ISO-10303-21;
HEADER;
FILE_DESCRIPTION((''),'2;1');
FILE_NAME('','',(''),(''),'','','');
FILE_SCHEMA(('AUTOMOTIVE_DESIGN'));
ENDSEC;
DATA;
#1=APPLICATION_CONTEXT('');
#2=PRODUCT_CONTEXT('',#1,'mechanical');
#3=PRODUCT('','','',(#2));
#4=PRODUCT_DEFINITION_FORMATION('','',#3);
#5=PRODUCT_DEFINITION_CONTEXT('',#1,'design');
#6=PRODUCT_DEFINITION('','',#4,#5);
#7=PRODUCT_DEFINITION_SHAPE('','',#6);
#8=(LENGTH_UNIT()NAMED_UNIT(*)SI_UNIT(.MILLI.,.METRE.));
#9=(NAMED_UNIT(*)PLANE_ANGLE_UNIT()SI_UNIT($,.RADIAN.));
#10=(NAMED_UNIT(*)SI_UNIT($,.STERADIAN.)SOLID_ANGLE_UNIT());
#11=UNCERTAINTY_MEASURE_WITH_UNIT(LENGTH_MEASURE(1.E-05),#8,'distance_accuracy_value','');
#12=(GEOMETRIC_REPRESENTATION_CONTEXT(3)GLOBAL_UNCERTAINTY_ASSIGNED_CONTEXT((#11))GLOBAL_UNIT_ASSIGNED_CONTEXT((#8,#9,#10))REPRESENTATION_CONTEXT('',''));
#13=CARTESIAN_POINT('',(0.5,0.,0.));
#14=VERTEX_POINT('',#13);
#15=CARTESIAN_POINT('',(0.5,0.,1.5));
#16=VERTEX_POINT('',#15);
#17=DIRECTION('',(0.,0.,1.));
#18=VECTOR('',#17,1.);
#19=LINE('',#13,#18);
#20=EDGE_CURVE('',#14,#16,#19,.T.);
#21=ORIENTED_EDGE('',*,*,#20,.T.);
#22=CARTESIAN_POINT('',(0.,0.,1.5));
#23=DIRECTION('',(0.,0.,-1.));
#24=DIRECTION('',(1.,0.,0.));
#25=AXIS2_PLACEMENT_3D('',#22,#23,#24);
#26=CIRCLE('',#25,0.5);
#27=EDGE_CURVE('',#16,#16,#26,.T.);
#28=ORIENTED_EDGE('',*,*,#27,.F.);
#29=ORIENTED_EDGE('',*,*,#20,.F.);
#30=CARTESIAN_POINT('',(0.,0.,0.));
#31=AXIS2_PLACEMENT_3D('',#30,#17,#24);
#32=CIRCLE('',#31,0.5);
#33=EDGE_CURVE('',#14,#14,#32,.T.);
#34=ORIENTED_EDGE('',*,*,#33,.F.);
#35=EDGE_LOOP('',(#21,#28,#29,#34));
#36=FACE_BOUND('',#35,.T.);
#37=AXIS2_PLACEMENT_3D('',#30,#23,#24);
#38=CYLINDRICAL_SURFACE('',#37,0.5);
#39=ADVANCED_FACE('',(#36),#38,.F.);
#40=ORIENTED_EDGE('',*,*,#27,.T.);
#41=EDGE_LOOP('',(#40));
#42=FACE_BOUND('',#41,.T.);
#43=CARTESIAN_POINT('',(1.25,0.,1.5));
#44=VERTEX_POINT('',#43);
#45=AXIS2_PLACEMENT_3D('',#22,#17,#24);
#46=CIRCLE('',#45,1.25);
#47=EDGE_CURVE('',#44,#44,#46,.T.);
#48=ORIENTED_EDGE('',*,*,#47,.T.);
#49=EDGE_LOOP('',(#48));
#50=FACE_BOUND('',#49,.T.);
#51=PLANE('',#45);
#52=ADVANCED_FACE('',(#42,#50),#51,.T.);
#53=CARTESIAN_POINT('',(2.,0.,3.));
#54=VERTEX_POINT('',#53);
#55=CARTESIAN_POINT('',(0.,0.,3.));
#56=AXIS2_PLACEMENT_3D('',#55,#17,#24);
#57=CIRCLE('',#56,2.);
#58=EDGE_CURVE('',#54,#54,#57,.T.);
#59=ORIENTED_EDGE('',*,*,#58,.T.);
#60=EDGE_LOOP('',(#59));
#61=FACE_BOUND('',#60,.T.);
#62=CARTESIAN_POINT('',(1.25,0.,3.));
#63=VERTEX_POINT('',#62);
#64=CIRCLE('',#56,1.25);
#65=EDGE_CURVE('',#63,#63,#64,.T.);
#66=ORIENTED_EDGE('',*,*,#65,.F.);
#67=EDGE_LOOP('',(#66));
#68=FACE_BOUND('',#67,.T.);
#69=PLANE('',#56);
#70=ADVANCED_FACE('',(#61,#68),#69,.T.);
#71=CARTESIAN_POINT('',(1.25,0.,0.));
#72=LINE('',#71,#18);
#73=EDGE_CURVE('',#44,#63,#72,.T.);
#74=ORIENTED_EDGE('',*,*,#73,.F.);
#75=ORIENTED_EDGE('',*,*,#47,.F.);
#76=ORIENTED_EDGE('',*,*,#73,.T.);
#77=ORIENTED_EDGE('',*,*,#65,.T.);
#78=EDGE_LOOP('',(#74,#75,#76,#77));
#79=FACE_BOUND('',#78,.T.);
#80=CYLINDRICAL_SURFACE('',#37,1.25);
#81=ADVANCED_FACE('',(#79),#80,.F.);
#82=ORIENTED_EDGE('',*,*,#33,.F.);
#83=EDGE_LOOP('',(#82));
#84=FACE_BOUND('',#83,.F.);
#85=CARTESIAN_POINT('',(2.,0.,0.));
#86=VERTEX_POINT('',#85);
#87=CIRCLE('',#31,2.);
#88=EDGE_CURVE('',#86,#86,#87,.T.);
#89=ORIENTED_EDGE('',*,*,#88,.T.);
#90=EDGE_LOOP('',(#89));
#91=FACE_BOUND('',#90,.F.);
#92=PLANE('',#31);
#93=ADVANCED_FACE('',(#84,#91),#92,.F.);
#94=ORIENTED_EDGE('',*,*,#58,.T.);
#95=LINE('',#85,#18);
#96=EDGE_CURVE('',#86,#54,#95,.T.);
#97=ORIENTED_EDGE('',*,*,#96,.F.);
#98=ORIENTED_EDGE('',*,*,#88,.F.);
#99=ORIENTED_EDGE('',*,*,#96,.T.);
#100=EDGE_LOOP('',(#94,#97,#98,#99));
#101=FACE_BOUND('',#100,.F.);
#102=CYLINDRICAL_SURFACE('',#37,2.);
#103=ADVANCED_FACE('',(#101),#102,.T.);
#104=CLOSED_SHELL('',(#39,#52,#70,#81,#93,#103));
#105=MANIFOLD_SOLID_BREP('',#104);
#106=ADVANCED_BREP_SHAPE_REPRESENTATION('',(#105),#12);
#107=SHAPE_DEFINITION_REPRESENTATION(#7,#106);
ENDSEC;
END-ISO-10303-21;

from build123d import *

# Parameters (mm, degrees)
F0_R     = 2
F0_R_2   = 1.25
F1_DEPTH = 3
F0_R_3   = 0.5
F2_DEPTH = 1.5
F3_DEPTH = 25


with BuildPart() as f1:
    # F0 (on Top) → F1 (new body)
    with BuildSketch(Plane.XY):
        Circle(F0_R)
        Circle(F0_R_2, mode=Mode.SUBTRACT)
    extrude(amount=F1_DEPTH)

    # F0 (on Top) → F2 (join)
    with BuildSketch(Plane.XY):
        Circle(F0_R_2)
        Circle(F0_R_3, mode=Mode.SUBTRACT)
        Circle(F0_R_3)
    extrude(amount=F2_DEPTH)

    # F0 (on Top) → F3 (cut)
    with BuildSketch(Plane.XY):
        Circle(F0_R_3)
    extrude(amount=F3_DEPTH, mode=Mode.SUBTRACT)


solid = f1.part
